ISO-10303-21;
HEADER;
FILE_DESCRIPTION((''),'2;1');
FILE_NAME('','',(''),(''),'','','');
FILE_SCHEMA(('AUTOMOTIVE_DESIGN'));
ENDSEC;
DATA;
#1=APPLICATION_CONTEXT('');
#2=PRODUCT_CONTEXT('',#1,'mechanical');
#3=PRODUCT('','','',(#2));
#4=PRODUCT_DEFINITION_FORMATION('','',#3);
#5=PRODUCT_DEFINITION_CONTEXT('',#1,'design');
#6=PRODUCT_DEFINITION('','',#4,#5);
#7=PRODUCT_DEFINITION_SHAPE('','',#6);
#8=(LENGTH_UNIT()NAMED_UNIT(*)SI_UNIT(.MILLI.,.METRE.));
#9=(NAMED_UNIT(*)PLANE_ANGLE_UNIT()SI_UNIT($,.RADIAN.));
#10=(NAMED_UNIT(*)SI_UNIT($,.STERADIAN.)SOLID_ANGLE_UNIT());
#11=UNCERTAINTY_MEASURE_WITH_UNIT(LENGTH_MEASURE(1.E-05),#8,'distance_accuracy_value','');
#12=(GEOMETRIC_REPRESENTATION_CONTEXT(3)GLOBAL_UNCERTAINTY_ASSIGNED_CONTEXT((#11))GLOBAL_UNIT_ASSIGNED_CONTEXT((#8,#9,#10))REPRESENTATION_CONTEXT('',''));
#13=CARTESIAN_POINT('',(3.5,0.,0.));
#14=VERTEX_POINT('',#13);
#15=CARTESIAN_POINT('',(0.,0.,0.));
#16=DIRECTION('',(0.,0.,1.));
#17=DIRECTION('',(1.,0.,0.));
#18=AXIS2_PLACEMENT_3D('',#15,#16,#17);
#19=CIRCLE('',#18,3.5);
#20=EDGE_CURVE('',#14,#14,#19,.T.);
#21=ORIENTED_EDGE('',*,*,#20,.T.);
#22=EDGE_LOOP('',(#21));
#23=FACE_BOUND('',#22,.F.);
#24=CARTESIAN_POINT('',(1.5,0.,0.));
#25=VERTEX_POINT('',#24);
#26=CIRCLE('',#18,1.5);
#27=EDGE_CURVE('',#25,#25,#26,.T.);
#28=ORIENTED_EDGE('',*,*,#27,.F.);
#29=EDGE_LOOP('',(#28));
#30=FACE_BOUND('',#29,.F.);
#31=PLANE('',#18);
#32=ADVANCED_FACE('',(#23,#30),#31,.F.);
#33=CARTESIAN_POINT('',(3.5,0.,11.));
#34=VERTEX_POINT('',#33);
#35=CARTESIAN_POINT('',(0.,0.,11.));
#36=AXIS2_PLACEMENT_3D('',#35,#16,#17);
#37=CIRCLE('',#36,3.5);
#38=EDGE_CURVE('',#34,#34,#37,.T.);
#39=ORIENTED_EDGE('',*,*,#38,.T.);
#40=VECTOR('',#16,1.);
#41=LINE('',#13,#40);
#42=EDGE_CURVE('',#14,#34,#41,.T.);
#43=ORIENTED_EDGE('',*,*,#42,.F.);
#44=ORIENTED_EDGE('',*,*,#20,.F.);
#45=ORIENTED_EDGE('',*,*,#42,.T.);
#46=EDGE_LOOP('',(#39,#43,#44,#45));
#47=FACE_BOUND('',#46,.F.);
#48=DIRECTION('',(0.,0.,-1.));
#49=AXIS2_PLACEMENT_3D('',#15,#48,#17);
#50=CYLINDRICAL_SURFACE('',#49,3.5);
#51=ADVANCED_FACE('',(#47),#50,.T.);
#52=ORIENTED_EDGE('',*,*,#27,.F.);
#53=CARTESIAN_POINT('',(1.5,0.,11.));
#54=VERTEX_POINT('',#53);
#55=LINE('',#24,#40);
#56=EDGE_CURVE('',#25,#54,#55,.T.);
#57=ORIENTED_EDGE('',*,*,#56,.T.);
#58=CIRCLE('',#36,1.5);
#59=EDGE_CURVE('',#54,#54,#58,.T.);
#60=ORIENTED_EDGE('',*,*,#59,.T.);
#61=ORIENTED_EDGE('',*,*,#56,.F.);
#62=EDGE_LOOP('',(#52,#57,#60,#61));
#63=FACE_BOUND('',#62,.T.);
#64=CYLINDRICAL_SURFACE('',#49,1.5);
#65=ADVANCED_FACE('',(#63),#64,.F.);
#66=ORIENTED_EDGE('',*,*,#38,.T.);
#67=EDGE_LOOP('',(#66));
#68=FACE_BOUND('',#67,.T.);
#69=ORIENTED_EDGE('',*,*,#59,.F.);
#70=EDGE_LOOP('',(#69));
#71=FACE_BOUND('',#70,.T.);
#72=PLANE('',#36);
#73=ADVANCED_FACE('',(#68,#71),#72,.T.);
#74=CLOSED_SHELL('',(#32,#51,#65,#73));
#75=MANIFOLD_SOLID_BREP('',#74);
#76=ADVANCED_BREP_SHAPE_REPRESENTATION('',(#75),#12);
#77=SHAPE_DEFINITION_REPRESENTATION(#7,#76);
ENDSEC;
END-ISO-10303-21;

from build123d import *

# Parameters (mm, degrees)
SKETCH_R   = 3.5
SKETCH_R_2 = 1.5
PAD_DEPTH  = 11


with BuildPart() as part:
    # Sketch → Pad (new body)
    with BuildSketch(Plane.XY):
        Circle(SKETCH_R)
        Circle(SKETCH_R_2, mode=Mode.SUBTRACT)
    extrude(amount=PAD_DEPTH)


solid = part.part
